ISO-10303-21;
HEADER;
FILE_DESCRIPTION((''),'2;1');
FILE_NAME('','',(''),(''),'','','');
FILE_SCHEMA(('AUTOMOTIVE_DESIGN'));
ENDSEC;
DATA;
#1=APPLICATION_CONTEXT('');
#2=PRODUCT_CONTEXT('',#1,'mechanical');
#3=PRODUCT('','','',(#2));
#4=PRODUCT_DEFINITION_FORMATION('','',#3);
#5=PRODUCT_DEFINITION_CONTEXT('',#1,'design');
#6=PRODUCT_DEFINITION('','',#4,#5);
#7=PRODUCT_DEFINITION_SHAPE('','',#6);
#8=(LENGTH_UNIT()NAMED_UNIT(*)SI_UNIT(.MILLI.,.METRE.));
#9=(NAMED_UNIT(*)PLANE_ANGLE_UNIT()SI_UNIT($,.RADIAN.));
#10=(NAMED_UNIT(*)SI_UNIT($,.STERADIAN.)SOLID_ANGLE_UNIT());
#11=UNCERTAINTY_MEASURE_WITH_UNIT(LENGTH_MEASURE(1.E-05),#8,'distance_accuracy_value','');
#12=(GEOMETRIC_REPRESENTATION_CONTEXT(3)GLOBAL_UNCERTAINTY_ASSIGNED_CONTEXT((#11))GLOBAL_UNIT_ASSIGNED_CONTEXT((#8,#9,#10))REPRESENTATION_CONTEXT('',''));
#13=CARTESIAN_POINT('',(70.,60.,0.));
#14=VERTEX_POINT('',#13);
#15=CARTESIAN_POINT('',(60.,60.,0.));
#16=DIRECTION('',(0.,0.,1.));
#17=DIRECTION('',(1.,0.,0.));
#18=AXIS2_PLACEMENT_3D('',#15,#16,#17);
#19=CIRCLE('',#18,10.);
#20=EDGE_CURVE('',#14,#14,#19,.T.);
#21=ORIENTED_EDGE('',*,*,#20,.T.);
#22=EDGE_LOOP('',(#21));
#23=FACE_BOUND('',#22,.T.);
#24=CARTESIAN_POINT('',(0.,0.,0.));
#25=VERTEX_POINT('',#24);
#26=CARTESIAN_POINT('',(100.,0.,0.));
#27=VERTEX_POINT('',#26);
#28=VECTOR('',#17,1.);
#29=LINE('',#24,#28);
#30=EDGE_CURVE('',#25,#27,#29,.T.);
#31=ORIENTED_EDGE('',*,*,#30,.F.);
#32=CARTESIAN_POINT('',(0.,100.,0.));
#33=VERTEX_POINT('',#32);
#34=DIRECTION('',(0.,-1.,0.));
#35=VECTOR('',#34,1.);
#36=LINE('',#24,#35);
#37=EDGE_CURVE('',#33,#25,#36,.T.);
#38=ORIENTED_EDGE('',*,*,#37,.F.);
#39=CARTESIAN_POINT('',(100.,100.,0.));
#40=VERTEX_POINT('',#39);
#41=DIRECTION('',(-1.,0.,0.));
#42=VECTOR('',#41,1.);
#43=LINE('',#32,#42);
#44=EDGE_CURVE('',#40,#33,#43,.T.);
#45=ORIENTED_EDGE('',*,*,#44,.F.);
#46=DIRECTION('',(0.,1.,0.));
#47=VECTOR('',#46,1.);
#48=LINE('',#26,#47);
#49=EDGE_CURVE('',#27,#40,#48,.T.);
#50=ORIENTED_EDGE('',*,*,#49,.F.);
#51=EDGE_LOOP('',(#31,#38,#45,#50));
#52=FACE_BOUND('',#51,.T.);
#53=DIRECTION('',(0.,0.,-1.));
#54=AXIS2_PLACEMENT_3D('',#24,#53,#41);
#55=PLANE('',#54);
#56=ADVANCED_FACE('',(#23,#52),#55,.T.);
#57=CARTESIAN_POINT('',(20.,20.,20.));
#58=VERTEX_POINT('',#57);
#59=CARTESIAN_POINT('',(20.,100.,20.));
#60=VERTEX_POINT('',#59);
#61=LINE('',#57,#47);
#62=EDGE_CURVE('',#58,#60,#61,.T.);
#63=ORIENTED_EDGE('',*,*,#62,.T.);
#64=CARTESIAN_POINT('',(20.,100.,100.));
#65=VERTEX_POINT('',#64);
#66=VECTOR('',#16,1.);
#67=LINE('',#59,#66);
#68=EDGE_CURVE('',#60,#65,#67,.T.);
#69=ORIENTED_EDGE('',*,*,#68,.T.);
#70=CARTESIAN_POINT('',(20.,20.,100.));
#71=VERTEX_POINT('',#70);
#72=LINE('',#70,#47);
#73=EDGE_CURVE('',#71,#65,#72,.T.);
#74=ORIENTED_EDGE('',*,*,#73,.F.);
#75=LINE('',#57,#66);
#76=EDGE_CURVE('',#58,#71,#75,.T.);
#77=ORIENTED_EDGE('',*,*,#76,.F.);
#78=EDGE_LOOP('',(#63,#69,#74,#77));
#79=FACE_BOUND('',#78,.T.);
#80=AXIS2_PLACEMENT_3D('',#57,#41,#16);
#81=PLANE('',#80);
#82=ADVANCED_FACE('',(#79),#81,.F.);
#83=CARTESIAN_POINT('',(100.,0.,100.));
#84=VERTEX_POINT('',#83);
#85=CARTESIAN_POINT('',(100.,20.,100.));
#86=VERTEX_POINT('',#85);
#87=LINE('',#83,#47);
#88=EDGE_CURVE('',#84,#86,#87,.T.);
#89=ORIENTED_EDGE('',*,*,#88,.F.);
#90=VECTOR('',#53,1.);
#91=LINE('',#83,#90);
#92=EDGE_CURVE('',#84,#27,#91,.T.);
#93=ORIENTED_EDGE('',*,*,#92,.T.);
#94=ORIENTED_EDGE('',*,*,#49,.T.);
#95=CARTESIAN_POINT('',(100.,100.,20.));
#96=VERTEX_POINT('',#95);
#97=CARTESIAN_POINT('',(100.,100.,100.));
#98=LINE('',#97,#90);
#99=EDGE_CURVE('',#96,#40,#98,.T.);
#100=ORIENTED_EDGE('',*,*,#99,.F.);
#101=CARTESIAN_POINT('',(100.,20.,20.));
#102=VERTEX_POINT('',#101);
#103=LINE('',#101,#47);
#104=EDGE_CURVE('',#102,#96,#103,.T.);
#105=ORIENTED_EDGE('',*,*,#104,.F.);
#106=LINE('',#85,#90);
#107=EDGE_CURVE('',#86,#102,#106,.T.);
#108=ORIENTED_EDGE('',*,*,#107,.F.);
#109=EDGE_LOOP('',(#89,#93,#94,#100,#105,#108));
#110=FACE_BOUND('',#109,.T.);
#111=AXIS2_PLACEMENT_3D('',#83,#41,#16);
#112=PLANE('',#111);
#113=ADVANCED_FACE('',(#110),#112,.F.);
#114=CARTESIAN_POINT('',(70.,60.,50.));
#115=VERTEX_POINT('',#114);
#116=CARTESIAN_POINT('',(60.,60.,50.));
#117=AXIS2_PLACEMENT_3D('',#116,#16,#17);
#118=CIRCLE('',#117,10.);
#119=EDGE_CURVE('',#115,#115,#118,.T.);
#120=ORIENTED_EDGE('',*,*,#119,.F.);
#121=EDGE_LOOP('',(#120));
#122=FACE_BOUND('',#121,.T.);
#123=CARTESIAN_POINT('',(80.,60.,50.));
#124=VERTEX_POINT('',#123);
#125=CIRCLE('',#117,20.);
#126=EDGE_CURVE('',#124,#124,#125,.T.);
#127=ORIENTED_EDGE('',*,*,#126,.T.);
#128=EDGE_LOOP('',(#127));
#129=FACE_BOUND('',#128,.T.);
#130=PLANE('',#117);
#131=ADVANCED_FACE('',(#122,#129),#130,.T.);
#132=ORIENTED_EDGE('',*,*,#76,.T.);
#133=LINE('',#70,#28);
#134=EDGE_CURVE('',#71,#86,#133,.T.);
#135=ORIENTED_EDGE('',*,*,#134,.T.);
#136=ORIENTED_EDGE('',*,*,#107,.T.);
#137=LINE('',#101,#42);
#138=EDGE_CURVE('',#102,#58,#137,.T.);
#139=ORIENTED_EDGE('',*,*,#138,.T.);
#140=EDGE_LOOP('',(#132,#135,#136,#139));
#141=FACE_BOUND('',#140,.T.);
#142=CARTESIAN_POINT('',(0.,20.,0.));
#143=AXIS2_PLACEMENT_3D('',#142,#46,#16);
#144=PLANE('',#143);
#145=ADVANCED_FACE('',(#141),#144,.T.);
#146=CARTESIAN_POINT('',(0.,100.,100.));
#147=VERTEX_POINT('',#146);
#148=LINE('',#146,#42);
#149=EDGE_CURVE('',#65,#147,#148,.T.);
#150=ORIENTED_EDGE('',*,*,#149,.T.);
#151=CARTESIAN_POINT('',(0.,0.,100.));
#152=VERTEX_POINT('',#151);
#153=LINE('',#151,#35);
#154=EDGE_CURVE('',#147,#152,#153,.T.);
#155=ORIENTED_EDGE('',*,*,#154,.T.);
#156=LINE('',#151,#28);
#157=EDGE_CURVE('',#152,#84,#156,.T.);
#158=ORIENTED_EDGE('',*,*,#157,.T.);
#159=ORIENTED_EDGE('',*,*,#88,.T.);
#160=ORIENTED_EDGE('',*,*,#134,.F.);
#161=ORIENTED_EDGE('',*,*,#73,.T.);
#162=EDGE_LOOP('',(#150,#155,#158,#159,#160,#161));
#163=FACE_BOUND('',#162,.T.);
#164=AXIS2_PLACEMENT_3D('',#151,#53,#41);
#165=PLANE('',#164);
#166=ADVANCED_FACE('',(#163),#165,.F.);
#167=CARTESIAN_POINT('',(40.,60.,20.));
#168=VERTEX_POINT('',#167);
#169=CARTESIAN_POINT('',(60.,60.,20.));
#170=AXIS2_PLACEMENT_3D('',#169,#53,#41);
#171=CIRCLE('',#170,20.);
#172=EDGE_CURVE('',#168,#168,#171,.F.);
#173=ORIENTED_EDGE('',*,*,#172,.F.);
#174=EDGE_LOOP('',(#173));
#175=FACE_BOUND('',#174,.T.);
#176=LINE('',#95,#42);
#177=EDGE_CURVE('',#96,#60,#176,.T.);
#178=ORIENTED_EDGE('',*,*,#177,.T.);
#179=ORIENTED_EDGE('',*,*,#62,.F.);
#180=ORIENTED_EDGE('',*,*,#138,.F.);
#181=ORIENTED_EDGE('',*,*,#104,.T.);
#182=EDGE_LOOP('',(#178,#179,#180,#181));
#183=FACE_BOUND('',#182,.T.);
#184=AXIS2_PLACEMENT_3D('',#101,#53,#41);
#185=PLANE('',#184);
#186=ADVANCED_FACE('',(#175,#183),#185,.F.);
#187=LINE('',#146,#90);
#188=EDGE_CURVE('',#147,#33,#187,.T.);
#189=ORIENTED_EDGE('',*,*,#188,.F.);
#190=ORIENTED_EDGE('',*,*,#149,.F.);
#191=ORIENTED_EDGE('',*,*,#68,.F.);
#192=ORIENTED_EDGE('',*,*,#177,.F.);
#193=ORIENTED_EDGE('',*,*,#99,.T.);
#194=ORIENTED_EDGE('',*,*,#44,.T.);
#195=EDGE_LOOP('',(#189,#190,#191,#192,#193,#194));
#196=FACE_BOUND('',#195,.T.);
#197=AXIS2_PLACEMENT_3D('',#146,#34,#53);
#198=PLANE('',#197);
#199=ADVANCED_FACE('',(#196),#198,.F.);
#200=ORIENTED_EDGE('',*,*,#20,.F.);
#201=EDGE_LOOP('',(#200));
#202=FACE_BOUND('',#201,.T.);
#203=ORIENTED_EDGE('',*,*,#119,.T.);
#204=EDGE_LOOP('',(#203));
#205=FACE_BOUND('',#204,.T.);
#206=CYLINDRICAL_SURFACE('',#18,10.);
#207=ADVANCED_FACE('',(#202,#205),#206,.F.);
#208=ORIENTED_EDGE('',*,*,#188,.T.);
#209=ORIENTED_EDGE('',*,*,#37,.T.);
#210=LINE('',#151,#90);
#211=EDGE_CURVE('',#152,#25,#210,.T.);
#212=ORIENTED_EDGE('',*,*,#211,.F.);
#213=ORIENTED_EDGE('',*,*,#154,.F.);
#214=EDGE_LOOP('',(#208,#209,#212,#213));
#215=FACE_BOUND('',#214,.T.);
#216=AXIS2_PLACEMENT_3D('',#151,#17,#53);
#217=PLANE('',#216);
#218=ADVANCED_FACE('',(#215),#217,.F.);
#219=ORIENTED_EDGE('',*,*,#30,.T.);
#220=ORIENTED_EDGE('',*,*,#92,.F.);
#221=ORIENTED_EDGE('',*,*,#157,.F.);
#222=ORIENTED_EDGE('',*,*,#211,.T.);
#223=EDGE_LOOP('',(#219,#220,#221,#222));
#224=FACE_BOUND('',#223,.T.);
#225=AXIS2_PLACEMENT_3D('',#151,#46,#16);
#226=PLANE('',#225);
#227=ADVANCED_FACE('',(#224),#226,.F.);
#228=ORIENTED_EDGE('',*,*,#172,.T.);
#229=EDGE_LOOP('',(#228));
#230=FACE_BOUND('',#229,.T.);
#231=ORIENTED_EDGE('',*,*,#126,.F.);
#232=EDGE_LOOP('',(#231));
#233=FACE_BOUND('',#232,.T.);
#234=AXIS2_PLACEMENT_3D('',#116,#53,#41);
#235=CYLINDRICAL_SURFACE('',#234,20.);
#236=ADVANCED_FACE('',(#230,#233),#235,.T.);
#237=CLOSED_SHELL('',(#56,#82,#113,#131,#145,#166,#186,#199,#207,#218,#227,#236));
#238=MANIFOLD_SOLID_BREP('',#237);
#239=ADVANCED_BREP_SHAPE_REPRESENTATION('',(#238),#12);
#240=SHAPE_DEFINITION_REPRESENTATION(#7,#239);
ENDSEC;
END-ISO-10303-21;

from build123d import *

# Parameters (mm, degrees)
SKETCH1_W           = 100
SKETCH1_H           = 100
BOSS_EXTRUDE1_DEPTH = 100
SKETCH2_W           = 80
SKETCH2_H           = 80
CUT_EXTRUDE1_DEPTH  = 80
SKETCH3_R           = 10
CUT_EXTRUDE2_DEPTH  = 20
BOSS_EXTRUDE3_START = 30
SKETCH3_5_R         = 20
SKETCH3_5_R_2       = 10
BOSS_EXTRUDE3_DEPTH = 30


with BuildPart() as part:
    # Sketch1 → Boss-Extrude1 (new body)
    with BuildSketch(Plane.XY):
        with Locations((50, 50)):
            Rectangle(SKETCH1_W, SKETCH1_H)
    extrude(amount=BOSS_EXTRUDE1_DEPTH)

    # Sketch2 → Cut-Extrude1 (cut)
    with BuildSketch(Plane(origin=(0, 100, 0), x_dir=(1, 0, 0), z_dir=(0, 1, 0))):
        with Locations((60, -60)):
            Rectangle(SKETCH2_W, SKETCH2_H)
    extrude(amount=-CUT_EXTRUDE1_DEPTH, mode=Mode.SUBTRACT)

    # Sketch3 → Cut-Extrude2 (cut)
    with BuildSketch(Plane.XY.offset(20)):
        with Locations((60, 60)):
            Circle(SKETCH3_R)
    extrude(amount=-CUT_EXTRUDE2_DEPTH, mode=Mode.SUBTRACT)

    # Sketch3_5 → Boss-Extrude3 (add)
    with BuildSketch(Plane.XY.offset(20).offset(BOSS_EXTRUDE3_START)):
        with Locations((60, 60)):
            Circle(SKETCH3_5_R)
        with Locations((60, 60)):
            Circle(SKETCH3_5_R_2, mode=Mode.SUBTRACT)
    extrude(amount=-BOSS_EXTRUDE3_DEPTH)


solid = part.part
